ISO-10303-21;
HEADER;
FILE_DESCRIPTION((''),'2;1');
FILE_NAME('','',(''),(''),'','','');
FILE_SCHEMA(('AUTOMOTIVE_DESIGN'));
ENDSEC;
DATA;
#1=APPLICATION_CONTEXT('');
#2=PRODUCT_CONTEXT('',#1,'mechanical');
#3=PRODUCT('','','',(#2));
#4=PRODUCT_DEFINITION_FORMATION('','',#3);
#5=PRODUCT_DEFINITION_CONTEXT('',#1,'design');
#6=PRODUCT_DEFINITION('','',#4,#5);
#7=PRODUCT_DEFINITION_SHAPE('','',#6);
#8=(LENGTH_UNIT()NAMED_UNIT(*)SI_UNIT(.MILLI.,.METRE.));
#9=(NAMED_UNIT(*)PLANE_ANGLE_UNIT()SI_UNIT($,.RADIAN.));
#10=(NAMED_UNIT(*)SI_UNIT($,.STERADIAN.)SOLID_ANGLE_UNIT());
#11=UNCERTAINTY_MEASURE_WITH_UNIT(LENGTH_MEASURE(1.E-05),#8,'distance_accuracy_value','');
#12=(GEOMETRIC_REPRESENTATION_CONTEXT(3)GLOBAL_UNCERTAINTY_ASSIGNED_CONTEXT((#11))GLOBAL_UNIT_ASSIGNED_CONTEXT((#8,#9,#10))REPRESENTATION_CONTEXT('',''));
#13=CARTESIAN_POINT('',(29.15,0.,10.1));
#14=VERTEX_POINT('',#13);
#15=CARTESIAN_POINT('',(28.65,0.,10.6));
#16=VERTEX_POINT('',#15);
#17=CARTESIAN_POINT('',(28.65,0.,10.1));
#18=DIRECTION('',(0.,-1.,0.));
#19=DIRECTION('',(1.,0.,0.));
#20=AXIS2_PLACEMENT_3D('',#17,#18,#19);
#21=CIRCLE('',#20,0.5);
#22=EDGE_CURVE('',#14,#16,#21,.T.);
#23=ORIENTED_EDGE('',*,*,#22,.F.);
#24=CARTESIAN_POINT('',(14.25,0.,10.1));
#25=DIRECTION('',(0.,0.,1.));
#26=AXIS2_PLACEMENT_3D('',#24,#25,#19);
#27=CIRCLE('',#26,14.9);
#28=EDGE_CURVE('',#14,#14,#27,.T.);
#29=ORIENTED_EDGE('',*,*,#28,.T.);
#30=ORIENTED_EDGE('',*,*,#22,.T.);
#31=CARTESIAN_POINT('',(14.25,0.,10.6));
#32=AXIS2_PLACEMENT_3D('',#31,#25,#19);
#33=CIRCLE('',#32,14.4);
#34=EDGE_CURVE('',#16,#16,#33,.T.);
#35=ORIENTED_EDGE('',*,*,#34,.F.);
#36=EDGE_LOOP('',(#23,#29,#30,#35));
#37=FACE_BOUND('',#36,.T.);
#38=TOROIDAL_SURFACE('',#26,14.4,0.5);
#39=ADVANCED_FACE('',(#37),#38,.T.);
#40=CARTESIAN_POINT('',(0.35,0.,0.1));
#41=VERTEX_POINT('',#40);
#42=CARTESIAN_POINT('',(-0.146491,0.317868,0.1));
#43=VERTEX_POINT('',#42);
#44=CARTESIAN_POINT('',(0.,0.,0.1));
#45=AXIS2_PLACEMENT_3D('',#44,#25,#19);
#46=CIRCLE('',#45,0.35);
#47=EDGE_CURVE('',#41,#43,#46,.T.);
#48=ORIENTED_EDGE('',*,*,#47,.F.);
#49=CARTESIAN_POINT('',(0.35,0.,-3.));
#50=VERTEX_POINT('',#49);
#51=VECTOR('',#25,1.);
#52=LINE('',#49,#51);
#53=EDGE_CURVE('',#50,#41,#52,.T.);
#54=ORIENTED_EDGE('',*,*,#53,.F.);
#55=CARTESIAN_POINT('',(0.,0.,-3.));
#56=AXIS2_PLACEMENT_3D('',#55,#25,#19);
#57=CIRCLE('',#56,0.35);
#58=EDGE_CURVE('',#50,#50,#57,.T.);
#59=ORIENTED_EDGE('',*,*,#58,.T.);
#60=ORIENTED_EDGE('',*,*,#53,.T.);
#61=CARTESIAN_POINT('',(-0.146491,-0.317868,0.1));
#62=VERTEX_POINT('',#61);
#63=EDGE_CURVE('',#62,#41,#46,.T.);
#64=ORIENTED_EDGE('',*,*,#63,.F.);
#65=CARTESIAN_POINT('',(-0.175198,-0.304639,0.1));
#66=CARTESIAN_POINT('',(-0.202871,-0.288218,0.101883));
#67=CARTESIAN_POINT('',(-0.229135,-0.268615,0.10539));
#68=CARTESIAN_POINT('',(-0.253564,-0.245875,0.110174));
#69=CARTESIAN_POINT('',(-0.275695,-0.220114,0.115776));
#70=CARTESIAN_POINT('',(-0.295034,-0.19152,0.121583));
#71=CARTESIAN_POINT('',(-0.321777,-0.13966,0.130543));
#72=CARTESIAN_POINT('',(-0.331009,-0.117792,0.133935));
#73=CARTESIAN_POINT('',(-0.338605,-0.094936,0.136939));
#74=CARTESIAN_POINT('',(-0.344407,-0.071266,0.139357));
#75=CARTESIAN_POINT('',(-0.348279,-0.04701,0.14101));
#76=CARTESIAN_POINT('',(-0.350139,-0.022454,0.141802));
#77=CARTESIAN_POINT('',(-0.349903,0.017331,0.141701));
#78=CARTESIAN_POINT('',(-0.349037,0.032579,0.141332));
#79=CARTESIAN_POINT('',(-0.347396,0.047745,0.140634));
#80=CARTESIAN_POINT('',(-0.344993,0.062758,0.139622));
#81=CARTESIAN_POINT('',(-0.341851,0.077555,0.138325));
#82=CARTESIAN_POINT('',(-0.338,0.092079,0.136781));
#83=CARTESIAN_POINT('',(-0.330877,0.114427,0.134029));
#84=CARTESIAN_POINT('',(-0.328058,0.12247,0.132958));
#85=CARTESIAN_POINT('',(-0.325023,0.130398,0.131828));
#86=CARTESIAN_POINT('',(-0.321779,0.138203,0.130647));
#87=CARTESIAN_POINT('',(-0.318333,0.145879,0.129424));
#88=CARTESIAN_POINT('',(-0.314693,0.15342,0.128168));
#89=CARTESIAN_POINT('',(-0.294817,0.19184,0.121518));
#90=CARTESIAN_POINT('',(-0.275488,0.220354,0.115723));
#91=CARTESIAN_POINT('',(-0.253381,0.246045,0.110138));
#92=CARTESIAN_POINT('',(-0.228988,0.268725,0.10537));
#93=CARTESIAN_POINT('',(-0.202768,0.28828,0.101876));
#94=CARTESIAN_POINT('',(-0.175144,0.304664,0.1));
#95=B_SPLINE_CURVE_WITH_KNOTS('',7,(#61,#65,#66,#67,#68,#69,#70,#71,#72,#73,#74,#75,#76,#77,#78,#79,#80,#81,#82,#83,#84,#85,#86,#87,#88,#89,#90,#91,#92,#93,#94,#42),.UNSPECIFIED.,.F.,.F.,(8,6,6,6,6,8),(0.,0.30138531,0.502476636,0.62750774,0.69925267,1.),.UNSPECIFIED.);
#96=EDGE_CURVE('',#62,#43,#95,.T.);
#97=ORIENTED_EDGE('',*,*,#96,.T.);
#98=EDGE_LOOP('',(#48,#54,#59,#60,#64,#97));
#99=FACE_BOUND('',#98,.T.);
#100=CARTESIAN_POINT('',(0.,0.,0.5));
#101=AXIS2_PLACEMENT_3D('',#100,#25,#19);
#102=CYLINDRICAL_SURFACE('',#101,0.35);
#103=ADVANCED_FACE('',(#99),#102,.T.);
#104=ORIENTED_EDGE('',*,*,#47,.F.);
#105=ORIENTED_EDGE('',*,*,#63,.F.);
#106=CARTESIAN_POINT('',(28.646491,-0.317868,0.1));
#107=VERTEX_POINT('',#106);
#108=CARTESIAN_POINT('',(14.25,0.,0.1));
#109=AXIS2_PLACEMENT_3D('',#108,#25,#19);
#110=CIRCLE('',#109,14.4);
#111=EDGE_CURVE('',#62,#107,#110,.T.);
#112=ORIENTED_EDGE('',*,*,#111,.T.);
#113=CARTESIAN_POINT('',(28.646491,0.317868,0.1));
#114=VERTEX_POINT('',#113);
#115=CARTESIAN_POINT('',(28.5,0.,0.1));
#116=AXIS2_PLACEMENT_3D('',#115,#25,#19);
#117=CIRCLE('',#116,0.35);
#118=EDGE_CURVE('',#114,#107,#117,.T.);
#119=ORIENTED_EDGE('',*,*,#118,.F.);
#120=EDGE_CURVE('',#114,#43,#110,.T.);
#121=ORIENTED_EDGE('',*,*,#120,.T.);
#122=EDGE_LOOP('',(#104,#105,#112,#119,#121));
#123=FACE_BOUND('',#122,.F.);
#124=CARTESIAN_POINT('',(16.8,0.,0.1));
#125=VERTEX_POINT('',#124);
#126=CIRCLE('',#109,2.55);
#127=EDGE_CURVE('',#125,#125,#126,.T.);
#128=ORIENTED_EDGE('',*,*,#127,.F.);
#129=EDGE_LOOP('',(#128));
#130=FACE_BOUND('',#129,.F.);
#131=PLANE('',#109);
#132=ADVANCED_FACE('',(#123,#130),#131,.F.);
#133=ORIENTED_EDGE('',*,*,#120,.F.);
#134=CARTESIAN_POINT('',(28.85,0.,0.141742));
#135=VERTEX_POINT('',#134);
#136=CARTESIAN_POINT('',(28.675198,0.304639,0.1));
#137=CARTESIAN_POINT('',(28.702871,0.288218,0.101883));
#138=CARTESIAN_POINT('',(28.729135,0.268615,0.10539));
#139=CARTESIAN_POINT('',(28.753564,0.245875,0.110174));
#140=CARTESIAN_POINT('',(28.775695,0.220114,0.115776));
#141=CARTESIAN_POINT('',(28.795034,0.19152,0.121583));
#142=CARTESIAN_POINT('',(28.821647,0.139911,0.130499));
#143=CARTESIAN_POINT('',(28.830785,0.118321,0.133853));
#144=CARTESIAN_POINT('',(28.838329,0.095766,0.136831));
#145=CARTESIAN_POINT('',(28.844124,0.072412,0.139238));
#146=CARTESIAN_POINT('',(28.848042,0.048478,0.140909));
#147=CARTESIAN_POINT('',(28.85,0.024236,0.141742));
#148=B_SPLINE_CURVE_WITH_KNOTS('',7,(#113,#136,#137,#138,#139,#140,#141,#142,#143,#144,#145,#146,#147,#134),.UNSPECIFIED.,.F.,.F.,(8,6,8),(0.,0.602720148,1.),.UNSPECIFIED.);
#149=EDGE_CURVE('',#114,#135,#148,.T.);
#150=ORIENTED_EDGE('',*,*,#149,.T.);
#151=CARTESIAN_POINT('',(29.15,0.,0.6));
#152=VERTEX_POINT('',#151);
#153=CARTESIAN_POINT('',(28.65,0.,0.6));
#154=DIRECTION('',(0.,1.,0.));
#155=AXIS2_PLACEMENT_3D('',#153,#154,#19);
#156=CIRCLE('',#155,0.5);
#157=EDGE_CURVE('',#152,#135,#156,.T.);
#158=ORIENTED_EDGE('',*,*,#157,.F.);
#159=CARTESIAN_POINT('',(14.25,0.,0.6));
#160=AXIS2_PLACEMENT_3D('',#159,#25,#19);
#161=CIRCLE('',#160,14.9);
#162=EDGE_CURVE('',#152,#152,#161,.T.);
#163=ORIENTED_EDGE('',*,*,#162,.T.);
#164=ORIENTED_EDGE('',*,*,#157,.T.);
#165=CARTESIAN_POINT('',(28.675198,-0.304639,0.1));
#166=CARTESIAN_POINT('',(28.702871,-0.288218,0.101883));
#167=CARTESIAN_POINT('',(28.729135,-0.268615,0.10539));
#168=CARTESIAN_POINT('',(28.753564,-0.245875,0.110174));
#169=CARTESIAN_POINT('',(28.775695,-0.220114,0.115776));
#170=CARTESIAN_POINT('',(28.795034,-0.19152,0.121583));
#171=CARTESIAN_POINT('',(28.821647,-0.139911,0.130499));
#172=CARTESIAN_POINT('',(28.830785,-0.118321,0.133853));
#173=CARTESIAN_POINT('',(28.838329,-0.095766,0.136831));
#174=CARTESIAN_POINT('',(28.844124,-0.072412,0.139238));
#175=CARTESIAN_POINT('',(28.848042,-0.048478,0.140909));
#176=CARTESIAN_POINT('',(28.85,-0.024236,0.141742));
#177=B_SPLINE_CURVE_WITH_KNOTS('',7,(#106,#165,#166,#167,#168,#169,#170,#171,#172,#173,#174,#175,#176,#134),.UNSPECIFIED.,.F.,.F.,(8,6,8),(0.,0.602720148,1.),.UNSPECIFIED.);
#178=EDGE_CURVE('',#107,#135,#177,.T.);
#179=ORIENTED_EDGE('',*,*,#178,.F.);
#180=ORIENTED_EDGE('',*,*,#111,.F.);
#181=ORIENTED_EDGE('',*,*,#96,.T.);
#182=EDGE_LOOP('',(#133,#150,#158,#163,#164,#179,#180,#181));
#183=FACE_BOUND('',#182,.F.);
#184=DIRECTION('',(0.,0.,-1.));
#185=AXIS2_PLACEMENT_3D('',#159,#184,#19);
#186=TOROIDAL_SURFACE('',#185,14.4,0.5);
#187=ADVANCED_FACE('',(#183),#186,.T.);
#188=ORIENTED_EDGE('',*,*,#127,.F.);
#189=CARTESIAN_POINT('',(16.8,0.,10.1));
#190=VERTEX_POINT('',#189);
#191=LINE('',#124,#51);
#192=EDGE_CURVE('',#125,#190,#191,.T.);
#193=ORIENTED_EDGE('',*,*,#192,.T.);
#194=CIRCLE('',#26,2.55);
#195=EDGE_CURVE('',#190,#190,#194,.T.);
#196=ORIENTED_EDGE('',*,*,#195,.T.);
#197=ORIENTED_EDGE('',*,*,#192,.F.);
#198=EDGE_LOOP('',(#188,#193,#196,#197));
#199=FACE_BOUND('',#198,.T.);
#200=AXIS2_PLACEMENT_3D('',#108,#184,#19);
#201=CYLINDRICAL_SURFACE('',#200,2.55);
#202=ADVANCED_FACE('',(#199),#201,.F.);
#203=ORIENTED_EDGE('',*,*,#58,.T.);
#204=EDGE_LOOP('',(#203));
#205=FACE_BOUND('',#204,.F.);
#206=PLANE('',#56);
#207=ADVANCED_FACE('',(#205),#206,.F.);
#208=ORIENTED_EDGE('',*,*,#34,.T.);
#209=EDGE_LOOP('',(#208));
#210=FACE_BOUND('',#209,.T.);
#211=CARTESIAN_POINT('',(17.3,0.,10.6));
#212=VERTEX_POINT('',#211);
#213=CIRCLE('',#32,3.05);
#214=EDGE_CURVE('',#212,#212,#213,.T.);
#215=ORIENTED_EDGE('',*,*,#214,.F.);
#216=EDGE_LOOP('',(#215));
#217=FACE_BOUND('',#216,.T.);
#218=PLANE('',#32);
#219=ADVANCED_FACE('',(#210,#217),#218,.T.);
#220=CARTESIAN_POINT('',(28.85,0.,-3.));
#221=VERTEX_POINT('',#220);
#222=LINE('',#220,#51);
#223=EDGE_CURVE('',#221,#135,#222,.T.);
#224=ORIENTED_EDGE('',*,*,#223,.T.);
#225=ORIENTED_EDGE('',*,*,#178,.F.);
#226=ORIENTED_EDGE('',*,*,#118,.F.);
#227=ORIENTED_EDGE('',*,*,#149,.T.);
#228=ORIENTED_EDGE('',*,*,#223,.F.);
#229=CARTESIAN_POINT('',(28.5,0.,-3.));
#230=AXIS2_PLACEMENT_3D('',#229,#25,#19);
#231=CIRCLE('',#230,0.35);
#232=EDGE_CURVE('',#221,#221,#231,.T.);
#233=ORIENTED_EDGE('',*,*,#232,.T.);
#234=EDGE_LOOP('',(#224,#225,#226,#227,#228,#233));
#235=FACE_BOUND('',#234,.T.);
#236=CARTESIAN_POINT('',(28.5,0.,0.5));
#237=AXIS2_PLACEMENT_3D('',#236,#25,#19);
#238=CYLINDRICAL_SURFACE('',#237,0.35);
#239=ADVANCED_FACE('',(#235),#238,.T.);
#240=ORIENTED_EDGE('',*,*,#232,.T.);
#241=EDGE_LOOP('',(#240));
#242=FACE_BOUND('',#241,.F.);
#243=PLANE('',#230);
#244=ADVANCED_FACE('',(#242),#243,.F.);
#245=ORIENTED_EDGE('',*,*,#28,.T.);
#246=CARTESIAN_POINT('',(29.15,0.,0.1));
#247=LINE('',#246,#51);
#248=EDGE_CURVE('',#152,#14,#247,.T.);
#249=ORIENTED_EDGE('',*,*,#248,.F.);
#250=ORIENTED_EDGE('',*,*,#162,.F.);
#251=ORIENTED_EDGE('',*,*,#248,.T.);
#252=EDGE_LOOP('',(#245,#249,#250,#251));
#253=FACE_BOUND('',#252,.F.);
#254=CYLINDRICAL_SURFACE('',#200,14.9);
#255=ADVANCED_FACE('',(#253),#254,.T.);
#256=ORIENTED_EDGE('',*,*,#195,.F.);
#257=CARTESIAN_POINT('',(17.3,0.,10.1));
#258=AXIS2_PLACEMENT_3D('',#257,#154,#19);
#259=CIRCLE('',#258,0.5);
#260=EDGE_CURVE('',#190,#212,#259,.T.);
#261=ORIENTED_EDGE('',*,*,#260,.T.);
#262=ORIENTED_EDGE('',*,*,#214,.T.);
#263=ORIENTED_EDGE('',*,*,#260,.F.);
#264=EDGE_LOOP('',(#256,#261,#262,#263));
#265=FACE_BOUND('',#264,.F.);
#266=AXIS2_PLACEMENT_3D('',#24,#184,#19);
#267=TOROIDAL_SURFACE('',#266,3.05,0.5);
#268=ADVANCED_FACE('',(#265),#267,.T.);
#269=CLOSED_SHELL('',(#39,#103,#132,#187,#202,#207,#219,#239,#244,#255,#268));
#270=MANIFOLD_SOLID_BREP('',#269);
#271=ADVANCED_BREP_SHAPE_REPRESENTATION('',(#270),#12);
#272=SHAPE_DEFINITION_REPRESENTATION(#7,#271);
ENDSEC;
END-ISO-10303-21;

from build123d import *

# Parameters (mm, degrees)
SKETCH_R          = 14.9
SKETCH_R_2        = 2.55
PAD_DEPTH         = 10.5
FILLET_R          = 0.5
SKETCH001_R       = 0.35
PAD001_DEPTH      = 5.25
PAD001_DEPTH_BACK = 3.5


with BuildPart() as fillet_body:
    # Sketch → Pad (new body)
    with BuildSketch(Plane.XY.offset(0.1)):
        with Locations((14.25, 0)):
            Circle(SKETCH_R)
        with Locations((14.25, 0)):
            Circle(SKETCH_R_2, mode=Mode.SUBTRACT)
    extrude(amount=PAD_DEPTH)

    # Fillet
    fillet_edges = [fillet_body.edges().sort_by_distance(p)[0] for p in [
        (11.7, 0, 10.6),
        (-0.65, 0, 10.6),
        (-0.65, 0, 0.1),
    ]]
    fillet(fillet_edges, radius=FILLET_R)


with BuildPart() as pad001_mp_cp:
    # Sketch001 → Pad001 (new body, two sides)
    with BuildSketch(Plane.XY.offset(0.5)) as pad001_sk:
        Circle(SKETCH001_R)
        with Locations((28.5, 0)):
            Circle(SKETCH001_R)
    extrude(amount=PAD001_DEPTH)
    extrude(pad001_sk.sketch, amount=-PAD001_DEPTH_BACK)

    # Pad001_mp_cp: union Fillet body
    add(fillet_body.part)


solid = pad001_mp_cp.part
